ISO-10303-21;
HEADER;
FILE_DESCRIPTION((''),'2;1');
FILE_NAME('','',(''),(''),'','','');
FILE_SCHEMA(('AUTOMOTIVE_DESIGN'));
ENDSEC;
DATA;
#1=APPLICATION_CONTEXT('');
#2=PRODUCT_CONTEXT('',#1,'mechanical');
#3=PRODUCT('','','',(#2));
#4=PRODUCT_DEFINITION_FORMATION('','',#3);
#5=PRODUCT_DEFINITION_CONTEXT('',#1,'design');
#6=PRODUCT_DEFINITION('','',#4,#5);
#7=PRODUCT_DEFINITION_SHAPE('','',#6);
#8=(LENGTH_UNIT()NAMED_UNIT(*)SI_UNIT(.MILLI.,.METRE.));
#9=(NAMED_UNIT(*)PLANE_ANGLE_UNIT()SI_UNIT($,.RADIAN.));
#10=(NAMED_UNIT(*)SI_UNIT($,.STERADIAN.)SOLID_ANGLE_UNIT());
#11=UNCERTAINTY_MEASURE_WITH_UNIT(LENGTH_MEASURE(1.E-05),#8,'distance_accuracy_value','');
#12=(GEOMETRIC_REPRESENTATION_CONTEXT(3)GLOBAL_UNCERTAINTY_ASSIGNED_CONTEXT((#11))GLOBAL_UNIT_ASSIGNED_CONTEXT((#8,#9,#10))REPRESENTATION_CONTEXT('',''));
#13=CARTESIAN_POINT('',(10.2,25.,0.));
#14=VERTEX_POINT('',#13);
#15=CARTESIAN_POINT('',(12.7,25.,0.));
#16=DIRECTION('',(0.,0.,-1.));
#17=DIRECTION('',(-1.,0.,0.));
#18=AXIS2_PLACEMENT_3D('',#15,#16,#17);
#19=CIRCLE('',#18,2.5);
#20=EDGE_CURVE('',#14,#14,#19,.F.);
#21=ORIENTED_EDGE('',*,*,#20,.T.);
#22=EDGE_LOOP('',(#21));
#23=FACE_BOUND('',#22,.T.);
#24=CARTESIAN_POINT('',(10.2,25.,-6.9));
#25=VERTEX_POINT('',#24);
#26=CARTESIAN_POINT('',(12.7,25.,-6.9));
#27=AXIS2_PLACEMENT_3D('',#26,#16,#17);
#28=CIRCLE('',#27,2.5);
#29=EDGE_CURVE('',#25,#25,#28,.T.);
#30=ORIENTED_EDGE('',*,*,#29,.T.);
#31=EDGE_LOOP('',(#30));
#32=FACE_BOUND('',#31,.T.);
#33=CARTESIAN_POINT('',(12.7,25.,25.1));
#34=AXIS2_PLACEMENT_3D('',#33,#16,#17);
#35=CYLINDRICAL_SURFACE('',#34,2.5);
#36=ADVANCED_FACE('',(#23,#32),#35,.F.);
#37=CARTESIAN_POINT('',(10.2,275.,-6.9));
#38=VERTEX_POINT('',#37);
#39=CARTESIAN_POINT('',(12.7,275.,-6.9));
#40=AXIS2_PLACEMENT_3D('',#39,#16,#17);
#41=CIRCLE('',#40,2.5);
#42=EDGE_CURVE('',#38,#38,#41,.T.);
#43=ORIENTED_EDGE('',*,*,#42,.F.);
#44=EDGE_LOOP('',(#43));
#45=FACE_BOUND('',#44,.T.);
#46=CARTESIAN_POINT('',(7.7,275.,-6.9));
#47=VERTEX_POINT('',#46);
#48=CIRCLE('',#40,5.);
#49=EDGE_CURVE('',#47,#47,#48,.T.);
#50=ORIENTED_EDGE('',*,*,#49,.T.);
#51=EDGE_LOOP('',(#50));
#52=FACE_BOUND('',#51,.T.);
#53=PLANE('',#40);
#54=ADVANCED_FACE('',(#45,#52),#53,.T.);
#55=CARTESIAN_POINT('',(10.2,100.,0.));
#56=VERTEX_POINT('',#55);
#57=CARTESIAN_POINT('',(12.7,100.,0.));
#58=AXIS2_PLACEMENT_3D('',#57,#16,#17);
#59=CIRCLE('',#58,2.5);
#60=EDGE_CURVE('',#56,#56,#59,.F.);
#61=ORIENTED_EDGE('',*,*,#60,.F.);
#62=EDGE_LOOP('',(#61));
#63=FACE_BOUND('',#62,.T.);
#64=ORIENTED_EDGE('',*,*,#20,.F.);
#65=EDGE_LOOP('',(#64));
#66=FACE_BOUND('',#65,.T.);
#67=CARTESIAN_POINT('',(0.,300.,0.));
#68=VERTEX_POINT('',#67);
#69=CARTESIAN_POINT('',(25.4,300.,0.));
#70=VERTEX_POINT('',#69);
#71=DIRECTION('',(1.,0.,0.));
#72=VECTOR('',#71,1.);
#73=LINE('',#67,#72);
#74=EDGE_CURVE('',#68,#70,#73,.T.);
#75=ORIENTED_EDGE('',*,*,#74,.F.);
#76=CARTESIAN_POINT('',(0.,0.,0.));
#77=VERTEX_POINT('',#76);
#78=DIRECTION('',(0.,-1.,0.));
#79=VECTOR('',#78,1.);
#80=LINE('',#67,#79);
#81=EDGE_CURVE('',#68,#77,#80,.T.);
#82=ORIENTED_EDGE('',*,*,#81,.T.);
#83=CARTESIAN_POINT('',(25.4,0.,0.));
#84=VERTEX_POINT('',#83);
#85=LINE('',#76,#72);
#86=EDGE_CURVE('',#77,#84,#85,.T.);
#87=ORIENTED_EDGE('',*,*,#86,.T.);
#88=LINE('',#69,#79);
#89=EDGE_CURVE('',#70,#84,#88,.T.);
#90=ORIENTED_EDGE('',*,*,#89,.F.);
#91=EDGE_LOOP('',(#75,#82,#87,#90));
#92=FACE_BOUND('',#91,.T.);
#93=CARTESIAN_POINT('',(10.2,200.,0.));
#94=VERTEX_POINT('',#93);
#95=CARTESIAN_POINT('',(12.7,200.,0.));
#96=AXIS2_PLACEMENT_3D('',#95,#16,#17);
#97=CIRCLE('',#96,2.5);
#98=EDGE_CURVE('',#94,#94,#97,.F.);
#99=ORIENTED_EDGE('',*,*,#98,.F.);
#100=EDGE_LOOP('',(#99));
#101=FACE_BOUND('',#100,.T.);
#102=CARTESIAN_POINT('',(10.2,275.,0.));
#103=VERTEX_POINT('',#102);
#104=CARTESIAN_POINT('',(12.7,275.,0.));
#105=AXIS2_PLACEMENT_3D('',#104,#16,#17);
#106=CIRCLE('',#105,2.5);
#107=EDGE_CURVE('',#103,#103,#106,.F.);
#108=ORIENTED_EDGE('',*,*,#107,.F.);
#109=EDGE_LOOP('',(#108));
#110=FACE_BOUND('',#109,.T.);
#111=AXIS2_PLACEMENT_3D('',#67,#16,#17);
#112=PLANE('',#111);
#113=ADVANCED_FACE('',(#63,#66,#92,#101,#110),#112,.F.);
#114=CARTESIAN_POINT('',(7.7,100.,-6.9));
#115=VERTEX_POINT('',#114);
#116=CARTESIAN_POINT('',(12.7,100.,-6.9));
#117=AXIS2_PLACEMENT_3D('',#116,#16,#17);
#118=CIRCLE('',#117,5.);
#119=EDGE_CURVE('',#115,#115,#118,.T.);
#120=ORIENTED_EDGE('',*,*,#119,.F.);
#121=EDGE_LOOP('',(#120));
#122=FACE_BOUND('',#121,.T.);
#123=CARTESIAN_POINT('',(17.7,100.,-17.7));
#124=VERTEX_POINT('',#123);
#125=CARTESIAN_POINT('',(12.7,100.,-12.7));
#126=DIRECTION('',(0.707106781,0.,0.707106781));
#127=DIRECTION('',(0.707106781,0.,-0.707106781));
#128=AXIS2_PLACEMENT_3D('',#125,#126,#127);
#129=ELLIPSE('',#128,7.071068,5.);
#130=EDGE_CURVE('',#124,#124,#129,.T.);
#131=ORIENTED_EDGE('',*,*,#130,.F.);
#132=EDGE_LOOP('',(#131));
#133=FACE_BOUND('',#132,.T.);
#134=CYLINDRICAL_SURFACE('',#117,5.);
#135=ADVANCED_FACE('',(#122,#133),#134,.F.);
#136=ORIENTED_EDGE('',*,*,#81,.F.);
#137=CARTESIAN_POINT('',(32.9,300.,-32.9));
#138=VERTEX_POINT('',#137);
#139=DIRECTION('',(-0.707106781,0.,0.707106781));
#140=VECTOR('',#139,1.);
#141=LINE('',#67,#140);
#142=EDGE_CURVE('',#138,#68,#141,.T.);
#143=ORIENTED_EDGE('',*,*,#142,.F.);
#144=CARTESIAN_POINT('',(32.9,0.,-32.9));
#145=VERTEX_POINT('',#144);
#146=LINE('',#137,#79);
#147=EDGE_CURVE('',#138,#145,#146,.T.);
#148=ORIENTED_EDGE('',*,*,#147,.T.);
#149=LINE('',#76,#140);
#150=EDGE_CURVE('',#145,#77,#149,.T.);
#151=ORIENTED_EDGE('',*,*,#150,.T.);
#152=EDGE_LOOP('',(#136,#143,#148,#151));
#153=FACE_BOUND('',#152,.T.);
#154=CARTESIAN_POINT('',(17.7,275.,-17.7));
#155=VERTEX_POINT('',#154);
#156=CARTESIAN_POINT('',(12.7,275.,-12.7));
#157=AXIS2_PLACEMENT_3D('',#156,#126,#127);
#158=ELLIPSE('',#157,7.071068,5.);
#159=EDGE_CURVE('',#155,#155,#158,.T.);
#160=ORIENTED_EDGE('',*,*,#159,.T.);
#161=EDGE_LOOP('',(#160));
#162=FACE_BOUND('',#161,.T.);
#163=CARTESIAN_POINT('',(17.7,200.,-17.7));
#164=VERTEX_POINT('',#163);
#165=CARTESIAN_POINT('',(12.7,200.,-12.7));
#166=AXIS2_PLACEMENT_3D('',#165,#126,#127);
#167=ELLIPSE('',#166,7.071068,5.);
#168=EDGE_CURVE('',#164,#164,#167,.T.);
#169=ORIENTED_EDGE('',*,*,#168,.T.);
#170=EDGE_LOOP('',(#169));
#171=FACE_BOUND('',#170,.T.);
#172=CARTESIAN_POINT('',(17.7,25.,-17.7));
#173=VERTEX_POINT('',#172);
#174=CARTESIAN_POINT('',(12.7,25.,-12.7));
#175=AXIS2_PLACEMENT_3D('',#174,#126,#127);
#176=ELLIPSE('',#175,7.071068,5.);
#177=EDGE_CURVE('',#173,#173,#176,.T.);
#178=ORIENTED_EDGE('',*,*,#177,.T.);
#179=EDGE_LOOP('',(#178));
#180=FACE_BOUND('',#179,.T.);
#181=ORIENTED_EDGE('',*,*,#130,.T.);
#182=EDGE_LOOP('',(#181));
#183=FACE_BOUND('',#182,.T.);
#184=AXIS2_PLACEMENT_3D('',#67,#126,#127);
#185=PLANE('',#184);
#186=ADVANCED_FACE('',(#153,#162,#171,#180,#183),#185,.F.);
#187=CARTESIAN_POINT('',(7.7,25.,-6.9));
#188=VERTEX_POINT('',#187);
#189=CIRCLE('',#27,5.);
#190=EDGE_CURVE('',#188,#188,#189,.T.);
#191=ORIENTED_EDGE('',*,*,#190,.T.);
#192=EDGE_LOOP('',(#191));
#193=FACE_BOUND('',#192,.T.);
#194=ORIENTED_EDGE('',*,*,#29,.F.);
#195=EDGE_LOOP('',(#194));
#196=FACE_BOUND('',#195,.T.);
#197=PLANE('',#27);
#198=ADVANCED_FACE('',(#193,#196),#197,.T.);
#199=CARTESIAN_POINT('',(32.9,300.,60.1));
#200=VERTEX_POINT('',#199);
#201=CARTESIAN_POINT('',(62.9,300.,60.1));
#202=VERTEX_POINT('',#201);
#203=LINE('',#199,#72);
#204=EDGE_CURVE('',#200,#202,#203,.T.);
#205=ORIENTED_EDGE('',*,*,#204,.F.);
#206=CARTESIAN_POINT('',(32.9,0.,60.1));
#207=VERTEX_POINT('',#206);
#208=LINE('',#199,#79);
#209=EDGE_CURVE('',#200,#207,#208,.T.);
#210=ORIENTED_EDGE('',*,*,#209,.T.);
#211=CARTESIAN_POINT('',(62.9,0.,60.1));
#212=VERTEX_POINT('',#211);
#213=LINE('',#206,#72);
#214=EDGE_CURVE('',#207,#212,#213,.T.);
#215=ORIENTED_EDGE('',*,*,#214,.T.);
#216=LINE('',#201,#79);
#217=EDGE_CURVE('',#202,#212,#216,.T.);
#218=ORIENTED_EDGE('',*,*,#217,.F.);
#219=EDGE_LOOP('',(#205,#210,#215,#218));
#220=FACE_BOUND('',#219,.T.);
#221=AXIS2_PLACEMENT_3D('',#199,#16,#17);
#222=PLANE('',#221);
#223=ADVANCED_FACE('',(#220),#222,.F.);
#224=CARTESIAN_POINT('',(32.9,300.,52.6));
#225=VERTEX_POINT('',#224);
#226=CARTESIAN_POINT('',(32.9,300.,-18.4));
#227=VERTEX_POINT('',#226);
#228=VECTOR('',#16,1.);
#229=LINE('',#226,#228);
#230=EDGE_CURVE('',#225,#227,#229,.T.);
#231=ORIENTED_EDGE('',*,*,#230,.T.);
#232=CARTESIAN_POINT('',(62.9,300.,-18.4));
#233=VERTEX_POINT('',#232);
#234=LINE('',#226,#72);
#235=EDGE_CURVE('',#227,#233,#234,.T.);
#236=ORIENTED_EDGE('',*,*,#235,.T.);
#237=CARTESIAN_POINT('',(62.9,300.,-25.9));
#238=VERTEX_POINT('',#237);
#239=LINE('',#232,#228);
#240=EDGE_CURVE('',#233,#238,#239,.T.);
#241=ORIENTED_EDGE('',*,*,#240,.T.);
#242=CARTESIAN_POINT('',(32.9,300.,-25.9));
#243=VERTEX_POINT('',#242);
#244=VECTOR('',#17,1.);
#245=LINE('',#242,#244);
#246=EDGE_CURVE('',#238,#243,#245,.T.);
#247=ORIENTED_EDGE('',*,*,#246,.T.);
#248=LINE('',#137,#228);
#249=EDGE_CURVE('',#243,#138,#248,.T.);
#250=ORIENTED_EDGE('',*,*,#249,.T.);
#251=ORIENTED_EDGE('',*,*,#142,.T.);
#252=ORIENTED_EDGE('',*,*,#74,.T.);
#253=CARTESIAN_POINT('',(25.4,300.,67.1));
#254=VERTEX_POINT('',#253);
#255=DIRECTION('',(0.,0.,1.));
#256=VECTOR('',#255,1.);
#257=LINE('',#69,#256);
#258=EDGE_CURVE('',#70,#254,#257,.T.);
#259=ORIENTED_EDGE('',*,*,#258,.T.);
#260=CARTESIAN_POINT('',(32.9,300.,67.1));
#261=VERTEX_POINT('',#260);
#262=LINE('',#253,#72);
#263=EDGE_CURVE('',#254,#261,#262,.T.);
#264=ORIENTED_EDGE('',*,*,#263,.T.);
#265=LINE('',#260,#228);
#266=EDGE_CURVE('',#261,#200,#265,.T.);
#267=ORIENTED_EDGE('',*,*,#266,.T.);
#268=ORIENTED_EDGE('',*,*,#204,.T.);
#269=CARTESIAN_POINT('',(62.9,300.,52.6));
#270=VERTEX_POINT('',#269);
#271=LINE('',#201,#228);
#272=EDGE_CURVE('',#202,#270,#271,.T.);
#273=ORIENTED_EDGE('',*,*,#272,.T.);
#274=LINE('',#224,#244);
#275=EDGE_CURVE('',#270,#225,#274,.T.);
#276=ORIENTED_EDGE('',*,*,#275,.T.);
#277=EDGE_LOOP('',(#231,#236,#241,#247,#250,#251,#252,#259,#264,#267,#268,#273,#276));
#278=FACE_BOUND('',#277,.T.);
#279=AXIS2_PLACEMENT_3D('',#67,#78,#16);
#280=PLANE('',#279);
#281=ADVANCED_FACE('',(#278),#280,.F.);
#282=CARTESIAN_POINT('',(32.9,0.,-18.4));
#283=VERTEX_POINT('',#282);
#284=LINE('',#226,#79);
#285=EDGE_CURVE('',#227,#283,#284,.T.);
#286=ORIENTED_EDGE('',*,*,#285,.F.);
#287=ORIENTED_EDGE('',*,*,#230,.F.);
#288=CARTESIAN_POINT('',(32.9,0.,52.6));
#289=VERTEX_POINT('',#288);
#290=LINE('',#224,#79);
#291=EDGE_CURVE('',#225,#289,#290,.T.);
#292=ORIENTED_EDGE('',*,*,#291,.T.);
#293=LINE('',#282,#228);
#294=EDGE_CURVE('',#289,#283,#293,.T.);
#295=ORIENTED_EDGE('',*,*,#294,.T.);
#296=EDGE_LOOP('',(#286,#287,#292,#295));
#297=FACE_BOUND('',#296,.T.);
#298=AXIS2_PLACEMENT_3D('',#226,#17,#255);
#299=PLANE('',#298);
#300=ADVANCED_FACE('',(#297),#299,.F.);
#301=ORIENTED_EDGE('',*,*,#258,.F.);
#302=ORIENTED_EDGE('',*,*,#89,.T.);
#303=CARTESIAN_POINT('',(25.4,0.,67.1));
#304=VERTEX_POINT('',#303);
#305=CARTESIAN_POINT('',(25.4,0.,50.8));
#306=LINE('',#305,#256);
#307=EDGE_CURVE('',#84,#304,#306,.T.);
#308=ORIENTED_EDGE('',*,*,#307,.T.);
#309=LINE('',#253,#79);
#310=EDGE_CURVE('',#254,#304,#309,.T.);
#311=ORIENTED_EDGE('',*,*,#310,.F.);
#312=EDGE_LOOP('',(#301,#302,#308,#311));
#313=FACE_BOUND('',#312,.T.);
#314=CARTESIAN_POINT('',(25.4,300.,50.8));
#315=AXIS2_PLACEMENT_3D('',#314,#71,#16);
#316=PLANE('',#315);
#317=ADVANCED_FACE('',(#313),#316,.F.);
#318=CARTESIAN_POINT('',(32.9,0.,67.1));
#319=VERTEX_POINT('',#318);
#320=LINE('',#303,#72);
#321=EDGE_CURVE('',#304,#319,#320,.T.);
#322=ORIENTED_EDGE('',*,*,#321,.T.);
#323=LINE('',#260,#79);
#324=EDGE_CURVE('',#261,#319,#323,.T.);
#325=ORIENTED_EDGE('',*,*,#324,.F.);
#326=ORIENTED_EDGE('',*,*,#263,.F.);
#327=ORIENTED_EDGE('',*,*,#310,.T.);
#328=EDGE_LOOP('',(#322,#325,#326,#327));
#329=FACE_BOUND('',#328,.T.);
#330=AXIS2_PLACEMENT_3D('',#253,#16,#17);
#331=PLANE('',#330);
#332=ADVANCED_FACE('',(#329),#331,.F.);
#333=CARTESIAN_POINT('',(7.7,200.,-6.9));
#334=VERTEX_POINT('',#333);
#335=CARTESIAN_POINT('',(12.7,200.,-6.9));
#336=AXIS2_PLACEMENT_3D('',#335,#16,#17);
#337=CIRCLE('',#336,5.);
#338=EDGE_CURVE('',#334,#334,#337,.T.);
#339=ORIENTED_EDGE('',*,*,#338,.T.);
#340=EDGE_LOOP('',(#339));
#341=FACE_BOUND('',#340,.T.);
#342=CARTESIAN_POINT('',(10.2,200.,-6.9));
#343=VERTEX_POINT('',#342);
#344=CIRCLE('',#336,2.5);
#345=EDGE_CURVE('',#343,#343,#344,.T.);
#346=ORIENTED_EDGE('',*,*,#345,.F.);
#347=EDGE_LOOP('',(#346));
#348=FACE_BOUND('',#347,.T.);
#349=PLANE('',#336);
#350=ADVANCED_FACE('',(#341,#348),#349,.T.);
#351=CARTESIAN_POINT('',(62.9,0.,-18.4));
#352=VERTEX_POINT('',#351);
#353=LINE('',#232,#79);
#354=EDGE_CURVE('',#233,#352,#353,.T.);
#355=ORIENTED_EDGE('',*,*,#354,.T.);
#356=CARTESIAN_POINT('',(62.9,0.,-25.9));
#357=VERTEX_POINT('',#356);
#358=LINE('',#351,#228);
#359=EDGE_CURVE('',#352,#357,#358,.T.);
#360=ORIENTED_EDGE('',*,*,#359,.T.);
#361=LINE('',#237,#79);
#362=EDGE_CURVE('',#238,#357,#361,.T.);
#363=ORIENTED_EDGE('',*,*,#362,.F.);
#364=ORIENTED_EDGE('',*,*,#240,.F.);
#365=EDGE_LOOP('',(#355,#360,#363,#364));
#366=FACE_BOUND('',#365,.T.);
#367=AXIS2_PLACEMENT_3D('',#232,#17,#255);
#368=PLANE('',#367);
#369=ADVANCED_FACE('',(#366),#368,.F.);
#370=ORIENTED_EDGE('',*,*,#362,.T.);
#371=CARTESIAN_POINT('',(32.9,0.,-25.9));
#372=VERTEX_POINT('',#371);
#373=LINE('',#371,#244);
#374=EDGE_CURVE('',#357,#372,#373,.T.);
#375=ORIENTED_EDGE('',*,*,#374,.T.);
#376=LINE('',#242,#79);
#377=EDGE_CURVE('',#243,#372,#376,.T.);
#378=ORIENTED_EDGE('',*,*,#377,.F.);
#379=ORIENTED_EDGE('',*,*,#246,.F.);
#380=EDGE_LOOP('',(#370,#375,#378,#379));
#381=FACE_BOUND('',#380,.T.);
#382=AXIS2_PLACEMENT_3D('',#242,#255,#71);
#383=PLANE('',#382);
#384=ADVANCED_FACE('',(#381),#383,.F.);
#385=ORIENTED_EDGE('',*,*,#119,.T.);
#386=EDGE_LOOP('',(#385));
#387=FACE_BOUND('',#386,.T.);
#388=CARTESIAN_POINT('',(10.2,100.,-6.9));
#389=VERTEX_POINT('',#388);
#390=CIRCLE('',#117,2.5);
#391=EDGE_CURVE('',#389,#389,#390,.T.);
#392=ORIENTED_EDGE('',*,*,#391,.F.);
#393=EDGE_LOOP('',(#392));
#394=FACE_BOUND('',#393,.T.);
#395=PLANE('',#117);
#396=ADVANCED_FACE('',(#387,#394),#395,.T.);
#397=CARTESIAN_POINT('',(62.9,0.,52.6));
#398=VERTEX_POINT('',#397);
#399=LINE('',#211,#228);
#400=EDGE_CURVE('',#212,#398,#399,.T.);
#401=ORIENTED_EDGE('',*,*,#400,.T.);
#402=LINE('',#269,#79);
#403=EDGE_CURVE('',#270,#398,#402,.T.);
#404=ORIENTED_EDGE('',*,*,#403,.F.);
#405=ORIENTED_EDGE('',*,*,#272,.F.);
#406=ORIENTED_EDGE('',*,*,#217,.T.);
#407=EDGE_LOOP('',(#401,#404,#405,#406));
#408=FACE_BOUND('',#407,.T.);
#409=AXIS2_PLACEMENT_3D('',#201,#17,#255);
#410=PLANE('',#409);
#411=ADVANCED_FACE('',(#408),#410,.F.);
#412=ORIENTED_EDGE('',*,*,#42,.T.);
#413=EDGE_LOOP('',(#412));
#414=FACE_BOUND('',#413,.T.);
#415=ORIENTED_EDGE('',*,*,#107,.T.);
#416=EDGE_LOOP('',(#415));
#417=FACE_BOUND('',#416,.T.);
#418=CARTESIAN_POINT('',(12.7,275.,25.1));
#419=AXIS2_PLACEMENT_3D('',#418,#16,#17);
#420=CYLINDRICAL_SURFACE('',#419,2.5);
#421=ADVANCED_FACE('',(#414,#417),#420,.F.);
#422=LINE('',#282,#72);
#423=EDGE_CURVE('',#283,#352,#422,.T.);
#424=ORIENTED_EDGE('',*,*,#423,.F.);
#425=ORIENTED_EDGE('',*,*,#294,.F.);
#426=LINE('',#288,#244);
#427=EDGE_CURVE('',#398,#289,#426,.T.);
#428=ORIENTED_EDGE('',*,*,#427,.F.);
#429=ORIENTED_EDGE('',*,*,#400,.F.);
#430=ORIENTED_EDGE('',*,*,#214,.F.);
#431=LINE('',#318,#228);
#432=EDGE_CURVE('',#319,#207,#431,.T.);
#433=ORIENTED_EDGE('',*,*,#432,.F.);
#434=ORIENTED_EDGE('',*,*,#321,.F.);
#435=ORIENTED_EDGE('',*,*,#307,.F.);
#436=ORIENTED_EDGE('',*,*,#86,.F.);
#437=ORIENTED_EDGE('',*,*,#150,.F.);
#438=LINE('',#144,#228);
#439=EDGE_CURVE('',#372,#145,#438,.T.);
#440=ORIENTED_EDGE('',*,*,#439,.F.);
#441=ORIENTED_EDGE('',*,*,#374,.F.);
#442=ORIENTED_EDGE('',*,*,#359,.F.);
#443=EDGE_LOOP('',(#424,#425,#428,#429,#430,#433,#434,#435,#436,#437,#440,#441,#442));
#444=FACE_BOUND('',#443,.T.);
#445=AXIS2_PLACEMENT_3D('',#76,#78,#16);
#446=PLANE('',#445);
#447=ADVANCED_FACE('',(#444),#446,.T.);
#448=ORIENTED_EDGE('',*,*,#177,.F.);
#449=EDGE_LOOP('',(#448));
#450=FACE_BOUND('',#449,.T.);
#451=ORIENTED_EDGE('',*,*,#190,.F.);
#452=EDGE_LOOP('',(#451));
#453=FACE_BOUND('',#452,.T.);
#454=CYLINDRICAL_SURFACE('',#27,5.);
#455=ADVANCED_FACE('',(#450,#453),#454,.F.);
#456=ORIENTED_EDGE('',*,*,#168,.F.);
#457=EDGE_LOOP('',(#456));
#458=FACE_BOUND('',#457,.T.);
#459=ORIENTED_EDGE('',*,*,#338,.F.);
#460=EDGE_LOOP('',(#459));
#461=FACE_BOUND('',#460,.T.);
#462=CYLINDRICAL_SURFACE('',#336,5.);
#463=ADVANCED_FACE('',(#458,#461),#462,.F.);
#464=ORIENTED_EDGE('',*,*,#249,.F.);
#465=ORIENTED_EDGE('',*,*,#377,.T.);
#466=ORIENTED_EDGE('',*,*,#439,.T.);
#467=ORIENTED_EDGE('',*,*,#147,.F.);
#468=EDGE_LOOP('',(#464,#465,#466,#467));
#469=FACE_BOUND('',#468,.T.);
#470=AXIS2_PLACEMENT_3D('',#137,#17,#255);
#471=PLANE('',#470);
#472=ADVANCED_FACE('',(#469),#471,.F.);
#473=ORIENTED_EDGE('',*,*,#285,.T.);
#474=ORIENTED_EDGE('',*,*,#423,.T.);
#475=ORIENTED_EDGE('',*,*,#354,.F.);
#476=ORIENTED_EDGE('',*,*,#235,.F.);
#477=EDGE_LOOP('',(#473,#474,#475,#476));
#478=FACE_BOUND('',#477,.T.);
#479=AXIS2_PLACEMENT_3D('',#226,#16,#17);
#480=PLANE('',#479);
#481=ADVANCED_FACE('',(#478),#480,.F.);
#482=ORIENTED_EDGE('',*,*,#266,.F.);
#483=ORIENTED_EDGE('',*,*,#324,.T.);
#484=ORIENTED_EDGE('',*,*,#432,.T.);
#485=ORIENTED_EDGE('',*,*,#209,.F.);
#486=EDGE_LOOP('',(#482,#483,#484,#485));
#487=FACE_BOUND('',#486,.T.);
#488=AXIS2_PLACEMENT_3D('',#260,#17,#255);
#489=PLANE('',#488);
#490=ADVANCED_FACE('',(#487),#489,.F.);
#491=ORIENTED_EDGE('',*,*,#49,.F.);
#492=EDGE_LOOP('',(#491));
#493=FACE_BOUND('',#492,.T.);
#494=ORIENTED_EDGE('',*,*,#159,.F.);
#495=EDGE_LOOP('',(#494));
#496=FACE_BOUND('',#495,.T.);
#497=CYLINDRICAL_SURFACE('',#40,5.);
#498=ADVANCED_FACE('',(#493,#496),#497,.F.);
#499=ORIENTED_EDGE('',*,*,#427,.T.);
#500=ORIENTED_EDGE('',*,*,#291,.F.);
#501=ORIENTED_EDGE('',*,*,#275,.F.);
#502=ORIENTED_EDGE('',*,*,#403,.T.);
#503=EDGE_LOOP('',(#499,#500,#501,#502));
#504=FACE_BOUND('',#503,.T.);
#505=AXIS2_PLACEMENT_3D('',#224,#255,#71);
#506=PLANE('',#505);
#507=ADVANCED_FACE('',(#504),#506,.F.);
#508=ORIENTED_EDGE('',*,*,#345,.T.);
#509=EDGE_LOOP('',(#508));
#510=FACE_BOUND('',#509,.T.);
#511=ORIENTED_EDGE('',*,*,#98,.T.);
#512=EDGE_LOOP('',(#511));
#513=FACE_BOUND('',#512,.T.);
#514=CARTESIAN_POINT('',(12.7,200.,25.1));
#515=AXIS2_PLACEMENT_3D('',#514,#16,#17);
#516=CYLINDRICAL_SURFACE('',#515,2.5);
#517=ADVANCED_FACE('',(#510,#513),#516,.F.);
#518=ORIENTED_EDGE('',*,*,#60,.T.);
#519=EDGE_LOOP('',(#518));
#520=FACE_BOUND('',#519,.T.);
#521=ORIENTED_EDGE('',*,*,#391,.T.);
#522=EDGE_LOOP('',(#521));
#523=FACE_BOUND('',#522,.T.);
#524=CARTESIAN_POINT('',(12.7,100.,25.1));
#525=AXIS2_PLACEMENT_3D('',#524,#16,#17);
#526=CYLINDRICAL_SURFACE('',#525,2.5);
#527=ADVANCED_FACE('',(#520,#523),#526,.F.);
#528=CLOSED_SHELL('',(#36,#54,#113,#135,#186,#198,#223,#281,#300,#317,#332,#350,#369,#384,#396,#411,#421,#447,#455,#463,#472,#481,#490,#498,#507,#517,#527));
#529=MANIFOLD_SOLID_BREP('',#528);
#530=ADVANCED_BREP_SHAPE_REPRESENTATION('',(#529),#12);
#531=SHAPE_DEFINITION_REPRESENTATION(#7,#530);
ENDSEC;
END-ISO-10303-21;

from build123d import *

# Parameters (mm, degrees)
BOSS_EXTRUDE1_DEPTH = 300
SKETCH3_R           = 2.5
CUT_EXTRUDE1_DEPTH  = 51
SKETCH4_R           = 5
CUT_EXTRUDE2_DEPTH  = 19


with BuildPart() as part:
    # Sketch1 → Boss-Extrude1 (new body)
    with BuildSketch(Plane(origin=(0, 0, 0), x_dir=(1, 0, 0), z_dir=(0, 1, 0))):
        Polygon((0, 0), (25.4, 0), (25.4, -50.8), (25.4, -67.1), (32.9, -67.1), (32.9, -60.1), (62.9, -60.1), (62.9, -52.6), (32.9, -52.6), (32.9, 18.4), (62.9, 18.4), (62.9, 25.9), (32.9, 25.9), (32.9, 32.9), align=None)
    extrude(amount=BOSS_EXTRUDE1_DEPTH)

    # Sketch3 → Cut-Extrude1 (cut)
    with BuildSketch(Plane(origin=(-25.9, 0, -25.9), x_dir=(1, 0, 0), z_dir=(0, 0, 1))):
        with Locations((38.6, 275)):
            Circle(SKETCH3_R)
        with Locations((38.6, 200)):
            Circle(SKETCH3_R)
        with Locations((38.6, 100)):
            Circle(SKETCH3_R)
        with Locations((38.6, 25)):
            Circle(SKETCH3_R)
    extrude(amount=CUT_EXTRUDE1_DEPTH, mode=Mode.SUBTRACT)

    # Sketch4 → Cut-Extrude2 (cut)
    with BuildSketch(Plane(origin=(0, 0, -25.9), x_dir=(-1, 0, 0), z_dir=(0, 0, -1))):
        with Locations((-12.7, 275)):
            Circle(SKETCH4_R)
        with Locations((-12.7, 200)):
            Circle(SKETCH4_R)
        with Locations((-12.7, 100)):
            Circle(SKETCH4_R)
        with Locations((-12.7, 25)):
            Circle(SKETCH4_R)
    extrude(amount=-CUT_EXTRUDE2_DEPTH, mode=Mode.SUBTRACT)


solid = part.part
